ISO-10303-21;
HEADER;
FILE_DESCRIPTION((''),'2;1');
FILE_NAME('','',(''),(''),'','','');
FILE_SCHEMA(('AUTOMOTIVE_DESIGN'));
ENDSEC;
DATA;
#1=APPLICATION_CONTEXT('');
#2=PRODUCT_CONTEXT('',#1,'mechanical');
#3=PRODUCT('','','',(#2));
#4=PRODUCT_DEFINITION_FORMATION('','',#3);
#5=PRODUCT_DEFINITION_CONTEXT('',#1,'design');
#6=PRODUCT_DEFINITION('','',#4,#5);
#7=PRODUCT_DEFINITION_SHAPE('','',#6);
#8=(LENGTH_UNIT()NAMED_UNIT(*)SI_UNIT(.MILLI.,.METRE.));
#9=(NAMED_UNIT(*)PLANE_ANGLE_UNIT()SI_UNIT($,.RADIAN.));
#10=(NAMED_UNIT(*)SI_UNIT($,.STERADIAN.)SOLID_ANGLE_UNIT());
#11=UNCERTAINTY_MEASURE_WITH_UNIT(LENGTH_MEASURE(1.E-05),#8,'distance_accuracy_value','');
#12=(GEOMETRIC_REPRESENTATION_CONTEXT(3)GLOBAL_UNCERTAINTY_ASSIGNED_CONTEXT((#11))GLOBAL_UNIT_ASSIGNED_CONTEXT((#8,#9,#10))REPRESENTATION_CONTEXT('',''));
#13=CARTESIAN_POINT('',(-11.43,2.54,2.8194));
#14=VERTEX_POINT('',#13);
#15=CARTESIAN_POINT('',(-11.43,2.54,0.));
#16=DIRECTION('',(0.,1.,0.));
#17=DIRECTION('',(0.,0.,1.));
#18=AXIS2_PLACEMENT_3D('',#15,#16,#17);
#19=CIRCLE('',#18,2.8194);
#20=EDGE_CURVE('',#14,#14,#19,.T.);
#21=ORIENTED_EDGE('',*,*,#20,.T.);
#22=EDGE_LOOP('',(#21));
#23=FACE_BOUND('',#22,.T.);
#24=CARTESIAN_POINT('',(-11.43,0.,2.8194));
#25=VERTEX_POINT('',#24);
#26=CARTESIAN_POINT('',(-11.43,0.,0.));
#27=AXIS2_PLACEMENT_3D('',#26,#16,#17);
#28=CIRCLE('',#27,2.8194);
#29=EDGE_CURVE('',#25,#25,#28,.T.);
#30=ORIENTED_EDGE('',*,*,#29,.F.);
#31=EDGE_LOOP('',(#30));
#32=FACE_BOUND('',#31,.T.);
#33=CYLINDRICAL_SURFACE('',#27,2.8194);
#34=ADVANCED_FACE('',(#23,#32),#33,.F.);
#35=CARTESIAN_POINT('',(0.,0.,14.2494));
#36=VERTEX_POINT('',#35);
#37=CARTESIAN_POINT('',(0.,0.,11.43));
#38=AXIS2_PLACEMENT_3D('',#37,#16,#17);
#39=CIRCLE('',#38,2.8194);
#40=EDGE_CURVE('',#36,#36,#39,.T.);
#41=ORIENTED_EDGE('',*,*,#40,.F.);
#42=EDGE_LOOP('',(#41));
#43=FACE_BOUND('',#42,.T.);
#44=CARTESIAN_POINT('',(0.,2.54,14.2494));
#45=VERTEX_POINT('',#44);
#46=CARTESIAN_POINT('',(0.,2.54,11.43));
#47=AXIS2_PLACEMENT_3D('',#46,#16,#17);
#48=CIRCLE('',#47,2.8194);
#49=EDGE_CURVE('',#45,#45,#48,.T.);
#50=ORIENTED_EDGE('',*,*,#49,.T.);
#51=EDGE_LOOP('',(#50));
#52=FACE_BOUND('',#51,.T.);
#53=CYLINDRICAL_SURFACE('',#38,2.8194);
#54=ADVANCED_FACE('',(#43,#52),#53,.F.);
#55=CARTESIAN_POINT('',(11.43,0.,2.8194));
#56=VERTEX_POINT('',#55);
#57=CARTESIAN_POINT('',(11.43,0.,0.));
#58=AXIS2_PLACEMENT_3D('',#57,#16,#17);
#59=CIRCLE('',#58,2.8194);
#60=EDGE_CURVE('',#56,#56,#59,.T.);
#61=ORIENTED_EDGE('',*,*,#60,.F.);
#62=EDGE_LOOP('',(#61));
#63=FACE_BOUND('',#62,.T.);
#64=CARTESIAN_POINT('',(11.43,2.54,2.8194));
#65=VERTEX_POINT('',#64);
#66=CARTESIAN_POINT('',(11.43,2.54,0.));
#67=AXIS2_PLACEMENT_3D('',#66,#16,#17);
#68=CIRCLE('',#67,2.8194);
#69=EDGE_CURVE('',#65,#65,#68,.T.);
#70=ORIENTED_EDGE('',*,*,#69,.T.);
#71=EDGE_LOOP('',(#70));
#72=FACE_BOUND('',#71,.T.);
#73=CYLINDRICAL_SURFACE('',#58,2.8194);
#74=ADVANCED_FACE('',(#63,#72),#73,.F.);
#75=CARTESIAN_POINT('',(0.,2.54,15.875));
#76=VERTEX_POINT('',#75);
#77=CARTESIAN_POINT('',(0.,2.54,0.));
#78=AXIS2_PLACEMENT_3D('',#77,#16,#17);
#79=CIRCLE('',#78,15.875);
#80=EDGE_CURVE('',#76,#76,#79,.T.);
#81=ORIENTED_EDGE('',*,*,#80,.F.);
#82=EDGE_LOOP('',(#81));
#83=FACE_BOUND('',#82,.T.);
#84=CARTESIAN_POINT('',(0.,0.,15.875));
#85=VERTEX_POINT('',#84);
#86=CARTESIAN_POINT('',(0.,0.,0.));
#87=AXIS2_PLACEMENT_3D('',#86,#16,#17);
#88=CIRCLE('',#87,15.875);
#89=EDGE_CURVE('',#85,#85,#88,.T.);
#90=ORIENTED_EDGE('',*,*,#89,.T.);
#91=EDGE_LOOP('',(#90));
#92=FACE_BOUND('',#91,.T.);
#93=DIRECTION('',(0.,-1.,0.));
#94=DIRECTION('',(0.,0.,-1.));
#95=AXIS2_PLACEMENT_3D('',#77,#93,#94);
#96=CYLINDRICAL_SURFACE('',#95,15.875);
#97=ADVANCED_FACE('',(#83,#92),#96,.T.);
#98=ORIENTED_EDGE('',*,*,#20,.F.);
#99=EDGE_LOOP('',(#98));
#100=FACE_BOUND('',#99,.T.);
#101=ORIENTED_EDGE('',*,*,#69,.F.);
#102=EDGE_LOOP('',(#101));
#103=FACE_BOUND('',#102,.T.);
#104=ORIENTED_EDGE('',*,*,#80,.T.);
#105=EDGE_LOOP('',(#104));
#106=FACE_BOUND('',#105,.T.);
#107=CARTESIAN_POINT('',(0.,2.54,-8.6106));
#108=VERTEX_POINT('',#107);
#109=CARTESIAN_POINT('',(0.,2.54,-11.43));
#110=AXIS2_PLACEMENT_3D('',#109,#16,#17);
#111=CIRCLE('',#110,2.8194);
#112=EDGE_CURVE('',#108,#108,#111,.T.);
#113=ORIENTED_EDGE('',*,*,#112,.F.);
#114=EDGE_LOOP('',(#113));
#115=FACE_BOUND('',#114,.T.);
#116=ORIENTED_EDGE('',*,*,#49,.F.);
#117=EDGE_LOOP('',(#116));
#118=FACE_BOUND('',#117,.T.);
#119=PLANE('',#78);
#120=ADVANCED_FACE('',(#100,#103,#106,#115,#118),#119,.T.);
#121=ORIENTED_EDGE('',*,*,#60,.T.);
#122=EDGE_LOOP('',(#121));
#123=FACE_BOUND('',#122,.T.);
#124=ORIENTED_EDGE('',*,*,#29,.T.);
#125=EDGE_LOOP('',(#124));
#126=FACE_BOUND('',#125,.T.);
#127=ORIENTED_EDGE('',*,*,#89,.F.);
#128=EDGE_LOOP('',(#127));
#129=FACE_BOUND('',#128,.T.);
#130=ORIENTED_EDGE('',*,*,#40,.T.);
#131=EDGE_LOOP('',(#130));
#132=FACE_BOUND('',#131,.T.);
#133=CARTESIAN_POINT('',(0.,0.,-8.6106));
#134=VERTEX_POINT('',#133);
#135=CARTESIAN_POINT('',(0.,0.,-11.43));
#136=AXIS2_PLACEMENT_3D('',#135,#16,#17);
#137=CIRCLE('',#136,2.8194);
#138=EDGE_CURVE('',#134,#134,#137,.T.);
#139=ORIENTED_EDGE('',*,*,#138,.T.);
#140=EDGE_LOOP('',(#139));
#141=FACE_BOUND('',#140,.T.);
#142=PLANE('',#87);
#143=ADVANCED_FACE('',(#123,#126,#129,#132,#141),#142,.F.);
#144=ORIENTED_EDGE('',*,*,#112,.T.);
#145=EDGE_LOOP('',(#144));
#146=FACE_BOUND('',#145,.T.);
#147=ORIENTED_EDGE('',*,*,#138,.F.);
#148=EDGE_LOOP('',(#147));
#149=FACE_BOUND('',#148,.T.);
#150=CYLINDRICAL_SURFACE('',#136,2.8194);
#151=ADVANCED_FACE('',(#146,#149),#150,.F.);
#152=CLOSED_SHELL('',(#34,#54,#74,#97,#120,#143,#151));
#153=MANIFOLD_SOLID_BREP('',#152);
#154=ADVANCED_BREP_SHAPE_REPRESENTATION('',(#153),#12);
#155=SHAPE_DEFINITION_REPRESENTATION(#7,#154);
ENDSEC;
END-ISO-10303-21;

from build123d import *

# Parameters (mm, degrees)
SKETCH1_R           = 15.875
BOSS_EXTRUDE1_DEPTH = 2.54
SKETCH2_R           = 2.8194
CUT_EXTRUDE1_DEPTH  = 2.54


with BuildPart() as part:
    # Sketch1 → Boss-Extrude1 (new body)
    with BuildSketch(Plane(origin=(0, 0, 0), x_dir=(1, 0, 0), z_dir=(0, 1, 0))):
        with Locations(Location((0, 0, 0), (0, 0, 270))):
            Circle(SKETCH1_R)
    extrude(amount=BOSS_EXTRUDE1_DEPTH)

    # Sketch2 → Cut-Extrude1 (cut)
    with BuildSketch(Plane(origin=(0, 2.54, 0), x_dir=(1, 0, 0), z_dir=(0, 1, 0))):
        with Locations(Location((0, 11.43, 0), (0, 0, 270))):
            Circle(SKETCH2_R)
        with Locations(Location((11.43, 0, 0), (0, 0, 270))):
            Circle(SKETCH2_R)
        with Locations(Location((0, -11.43, 0), (0, 0, 270))):
            Circle(SKETCH2_R)
        with Locations(Location((-11.43, 0, 0), (0, 0, 270))):
            Circle(SKETCH2_R)
    extrude(amount=-CUT_EXTRUDE1_DEPTH, mode=Mode.SUBTRACT)


solid = part.part
